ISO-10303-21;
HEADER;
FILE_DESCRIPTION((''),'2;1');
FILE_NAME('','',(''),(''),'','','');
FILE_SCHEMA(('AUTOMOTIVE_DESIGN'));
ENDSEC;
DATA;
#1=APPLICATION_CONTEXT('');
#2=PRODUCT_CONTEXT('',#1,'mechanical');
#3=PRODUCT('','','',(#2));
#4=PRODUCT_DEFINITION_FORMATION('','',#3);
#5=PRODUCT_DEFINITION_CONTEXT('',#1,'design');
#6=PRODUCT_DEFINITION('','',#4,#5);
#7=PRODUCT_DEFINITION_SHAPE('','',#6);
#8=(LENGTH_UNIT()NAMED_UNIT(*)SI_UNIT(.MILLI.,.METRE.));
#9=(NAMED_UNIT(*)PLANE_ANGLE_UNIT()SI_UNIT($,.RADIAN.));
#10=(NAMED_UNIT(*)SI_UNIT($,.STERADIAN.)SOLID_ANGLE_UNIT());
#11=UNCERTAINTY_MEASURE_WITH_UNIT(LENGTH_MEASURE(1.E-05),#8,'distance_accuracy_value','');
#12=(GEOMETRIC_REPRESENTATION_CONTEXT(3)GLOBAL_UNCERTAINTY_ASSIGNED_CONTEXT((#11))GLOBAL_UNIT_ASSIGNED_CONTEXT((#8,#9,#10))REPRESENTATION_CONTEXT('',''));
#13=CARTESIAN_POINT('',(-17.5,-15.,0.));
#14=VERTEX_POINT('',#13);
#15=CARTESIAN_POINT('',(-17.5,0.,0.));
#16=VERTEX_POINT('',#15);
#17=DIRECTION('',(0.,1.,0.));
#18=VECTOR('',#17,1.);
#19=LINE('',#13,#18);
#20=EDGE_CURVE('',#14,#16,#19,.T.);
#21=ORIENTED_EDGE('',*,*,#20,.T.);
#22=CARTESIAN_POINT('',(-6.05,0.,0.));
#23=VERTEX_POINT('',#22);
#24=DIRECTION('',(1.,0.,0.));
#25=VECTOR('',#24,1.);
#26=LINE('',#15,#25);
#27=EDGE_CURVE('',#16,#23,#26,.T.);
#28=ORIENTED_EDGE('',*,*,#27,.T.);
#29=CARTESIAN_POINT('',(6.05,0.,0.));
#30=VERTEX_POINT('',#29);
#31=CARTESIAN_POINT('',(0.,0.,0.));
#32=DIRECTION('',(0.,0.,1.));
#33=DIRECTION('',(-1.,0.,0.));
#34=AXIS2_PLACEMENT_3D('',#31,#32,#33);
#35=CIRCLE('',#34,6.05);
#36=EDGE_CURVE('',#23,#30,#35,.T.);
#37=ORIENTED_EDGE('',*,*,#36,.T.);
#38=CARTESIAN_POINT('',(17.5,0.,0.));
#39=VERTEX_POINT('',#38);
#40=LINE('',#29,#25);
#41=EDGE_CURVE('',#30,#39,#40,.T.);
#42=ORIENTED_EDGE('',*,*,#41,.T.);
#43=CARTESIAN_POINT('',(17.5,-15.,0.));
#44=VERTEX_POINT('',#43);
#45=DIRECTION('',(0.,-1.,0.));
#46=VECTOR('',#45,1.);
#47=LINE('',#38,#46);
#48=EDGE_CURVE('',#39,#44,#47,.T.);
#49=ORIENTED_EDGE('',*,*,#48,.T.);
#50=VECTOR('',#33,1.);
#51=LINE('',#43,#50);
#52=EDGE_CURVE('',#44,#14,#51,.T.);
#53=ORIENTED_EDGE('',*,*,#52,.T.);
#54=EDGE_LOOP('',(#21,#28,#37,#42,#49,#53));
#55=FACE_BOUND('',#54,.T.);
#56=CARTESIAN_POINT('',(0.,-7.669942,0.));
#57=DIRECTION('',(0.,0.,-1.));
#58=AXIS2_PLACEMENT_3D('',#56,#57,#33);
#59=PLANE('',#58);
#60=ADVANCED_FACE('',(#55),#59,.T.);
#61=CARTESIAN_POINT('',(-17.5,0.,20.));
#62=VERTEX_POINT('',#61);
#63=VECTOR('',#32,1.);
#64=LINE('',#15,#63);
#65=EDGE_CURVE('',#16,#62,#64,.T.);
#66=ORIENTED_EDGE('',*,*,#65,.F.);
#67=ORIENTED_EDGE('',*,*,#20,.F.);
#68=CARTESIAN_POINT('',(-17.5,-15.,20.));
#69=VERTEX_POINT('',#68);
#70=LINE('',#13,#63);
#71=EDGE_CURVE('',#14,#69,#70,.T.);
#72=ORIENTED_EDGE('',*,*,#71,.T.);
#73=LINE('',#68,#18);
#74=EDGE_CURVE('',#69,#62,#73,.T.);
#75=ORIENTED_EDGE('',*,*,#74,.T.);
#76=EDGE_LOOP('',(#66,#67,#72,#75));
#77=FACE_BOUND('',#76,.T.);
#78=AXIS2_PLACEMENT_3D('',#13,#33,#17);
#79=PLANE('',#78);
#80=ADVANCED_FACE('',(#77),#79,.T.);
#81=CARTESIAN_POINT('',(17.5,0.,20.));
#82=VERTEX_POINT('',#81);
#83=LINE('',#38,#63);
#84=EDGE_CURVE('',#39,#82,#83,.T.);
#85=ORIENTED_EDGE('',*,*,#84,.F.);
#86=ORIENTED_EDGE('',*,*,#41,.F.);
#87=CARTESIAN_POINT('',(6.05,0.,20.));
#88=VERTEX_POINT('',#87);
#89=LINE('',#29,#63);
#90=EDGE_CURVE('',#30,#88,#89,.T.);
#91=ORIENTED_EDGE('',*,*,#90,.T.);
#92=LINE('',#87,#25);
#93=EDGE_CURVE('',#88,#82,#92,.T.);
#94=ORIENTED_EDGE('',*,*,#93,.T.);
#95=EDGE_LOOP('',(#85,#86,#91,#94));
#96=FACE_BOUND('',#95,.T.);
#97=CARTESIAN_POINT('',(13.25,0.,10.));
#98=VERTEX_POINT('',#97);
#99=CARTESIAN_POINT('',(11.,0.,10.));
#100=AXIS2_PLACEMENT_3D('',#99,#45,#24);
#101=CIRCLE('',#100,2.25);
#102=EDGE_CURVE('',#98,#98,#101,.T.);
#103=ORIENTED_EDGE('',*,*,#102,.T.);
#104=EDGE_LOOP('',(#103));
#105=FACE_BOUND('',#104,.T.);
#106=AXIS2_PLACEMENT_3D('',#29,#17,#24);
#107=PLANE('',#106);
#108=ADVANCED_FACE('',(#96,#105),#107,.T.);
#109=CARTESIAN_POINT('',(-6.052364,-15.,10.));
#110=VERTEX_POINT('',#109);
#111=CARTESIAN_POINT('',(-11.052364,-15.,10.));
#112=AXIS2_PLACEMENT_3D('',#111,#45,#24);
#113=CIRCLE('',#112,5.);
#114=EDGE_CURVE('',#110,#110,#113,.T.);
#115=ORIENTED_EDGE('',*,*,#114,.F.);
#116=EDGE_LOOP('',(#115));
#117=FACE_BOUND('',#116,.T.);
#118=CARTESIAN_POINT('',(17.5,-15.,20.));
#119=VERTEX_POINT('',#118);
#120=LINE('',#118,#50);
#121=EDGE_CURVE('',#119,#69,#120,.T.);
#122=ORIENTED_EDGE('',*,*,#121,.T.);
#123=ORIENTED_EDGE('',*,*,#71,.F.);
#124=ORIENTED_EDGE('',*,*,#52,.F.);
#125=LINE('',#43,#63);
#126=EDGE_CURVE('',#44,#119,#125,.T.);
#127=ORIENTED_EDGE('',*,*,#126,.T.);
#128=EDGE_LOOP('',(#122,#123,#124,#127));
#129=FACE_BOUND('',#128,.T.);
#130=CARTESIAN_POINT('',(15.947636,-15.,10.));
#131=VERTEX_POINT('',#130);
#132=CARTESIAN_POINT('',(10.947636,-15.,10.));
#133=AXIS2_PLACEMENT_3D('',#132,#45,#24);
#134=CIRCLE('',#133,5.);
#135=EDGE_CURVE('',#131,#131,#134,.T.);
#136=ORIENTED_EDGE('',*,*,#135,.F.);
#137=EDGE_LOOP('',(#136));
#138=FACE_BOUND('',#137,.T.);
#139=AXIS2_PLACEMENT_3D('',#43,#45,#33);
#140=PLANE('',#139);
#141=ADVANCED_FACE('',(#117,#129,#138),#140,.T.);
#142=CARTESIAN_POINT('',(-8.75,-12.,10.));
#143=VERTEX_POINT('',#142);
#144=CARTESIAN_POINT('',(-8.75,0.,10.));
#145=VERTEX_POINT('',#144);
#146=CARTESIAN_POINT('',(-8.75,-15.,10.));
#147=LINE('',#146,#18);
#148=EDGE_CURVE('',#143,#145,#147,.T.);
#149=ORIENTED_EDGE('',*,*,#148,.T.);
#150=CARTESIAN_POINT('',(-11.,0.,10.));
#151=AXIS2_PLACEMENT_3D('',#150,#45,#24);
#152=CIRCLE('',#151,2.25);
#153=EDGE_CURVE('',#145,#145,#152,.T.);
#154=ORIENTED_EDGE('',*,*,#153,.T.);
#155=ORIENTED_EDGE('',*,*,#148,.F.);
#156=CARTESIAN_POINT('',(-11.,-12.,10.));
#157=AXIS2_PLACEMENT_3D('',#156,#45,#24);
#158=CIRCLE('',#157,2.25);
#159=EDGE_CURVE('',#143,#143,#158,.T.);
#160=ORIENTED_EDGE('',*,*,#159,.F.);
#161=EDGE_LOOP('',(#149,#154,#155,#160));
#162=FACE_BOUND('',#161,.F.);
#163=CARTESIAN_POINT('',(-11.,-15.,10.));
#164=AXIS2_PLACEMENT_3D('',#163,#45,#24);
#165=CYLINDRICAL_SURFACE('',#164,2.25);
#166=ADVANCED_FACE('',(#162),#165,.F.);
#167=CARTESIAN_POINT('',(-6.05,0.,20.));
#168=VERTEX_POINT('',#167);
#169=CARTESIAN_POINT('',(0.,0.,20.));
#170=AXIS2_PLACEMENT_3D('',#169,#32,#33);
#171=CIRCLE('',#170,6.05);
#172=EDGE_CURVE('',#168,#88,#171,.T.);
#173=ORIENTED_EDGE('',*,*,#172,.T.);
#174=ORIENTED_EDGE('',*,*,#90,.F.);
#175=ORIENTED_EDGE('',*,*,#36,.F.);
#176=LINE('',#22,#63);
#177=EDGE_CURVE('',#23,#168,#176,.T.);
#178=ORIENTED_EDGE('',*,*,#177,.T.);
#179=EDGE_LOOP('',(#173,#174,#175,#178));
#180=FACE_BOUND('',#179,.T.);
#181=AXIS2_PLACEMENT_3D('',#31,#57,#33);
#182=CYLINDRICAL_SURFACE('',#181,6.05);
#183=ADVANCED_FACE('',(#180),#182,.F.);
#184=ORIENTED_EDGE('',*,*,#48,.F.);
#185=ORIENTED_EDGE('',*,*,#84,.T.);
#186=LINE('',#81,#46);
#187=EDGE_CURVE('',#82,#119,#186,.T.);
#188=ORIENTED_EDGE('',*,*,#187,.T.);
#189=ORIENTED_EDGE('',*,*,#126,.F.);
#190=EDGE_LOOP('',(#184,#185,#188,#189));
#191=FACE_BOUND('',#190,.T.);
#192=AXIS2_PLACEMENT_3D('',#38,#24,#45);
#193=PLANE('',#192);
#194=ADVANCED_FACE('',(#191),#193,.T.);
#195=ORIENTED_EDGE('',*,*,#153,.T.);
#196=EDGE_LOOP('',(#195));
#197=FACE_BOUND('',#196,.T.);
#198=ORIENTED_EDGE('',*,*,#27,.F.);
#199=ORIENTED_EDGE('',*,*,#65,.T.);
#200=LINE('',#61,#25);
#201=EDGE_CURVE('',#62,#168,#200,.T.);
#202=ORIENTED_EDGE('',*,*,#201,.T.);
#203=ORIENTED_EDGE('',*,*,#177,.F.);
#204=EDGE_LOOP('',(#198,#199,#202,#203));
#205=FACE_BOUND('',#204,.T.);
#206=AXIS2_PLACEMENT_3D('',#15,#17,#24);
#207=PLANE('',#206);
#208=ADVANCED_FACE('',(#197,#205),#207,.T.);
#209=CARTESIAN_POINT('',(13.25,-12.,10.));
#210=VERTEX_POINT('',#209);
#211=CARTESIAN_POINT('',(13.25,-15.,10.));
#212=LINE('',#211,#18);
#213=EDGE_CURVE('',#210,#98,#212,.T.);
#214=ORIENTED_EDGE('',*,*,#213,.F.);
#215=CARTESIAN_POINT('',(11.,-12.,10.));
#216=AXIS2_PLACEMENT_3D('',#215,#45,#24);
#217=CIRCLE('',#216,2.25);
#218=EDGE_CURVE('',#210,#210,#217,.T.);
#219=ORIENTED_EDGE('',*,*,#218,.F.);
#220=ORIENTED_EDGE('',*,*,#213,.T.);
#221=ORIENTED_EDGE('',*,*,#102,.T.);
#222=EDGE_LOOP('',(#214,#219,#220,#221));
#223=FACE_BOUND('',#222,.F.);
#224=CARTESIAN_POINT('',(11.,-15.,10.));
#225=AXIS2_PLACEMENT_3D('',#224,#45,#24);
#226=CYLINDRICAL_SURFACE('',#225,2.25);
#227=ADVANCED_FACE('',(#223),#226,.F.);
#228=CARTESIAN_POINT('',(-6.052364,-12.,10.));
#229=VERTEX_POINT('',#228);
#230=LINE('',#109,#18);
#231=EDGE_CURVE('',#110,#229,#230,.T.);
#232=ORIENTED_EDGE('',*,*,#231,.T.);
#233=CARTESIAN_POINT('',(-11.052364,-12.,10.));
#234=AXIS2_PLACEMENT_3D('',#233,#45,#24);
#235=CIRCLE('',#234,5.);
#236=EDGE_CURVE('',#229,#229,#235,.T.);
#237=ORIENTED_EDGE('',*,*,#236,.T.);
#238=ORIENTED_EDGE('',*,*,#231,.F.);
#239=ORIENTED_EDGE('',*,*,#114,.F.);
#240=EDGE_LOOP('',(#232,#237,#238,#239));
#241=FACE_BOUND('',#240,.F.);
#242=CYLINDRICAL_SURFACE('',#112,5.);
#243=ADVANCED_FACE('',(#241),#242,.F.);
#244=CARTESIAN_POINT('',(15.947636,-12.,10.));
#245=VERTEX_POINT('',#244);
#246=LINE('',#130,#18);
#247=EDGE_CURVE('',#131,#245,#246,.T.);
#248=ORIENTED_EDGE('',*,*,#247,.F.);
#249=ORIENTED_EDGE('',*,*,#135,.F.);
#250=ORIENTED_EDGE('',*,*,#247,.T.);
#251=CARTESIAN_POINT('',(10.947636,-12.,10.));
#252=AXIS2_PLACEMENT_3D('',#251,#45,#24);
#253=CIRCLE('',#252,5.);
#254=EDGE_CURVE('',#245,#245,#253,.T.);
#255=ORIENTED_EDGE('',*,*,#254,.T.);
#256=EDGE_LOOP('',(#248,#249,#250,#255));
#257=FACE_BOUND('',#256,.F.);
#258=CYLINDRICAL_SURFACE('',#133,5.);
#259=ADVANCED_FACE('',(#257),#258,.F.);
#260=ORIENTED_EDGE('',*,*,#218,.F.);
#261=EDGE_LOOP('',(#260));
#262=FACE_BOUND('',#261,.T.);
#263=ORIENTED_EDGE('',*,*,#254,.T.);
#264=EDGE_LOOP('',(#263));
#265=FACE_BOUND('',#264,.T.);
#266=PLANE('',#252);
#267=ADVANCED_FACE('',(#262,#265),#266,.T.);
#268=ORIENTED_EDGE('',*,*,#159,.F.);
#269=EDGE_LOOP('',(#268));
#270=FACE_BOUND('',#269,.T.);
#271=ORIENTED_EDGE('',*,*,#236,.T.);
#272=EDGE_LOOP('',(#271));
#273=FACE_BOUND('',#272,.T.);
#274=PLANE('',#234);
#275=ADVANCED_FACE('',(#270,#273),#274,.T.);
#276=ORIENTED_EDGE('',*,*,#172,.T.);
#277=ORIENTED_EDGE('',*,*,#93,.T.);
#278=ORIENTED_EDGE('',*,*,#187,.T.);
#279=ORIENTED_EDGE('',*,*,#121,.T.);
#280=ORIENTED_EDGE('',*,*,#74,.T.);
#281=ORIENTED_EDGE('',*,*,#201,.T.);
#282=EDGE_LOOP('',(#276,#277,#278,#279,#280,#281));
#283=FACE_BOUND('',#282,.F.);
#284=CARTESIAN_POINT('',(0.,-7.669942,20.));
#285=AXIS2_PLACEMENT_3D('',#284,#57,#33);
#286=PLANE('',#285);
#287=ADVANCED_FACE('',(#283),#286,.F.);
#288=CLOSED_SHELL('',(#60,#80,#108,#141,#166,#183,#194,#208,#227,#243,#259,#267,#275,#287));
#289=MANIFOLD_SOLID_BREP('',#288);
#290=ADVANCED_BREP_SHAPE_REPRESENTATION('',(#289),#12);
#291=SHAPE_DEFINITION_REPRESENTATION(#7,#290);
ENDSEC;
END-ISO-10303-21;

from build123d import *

# Parameters (mm, degrees)
PAD_DEPTH       = 20
SKETCH001_R     = 2.25
POCKET_DEPTH    = 15.001
SKETCH002_R     = 5
POCKET001_DEPTH = 3


with BuildPart() as part:
    # Sketch → Pad (new body)
    with BuildSketch(Plane.XY):
        with BuildLine():
            ThreePointArc((-6.05, 0), (0, -6.05), (6.05, 0))
            Line((6.05, 0), (17.5, 0))
            Line((17.5, 0), (17.5, -15))
            Line((17.5, -15), (-17.5, -15))
            Line((-17.5, -15), (-17.5, 0))
            Line((-17.5, 0), (-6.05, 0))
        make_face()
    extrude(amount=PAD_DEPTH)

    # Sketch001 → Pocket (cut, through all)
    with BuildSketch(Plane.XZ.offset(15)):
        with Locations((-11, 10)):
            Circle(SKETCH001_R)
        with Locations((11, 10)):
            Circle(SKETCH001_R)
    extrude(amount=-POCKET_DEPTH, mode=Mode.SUBTRACT)

    # Sketch002 → Pocket001 (cut)
    with BuildSketch(Plane.XZ.offset(15)):
        with Locations((-11.052364, 10)):
            Circle(SKETCH002_R)
        with Locations((10.947636, 10)):
            Circle(SKETCH002_R)
    extrude(amount=-POCKET001_DEPTH, mode=Mode.SUBTRACT)


solid = part.part
